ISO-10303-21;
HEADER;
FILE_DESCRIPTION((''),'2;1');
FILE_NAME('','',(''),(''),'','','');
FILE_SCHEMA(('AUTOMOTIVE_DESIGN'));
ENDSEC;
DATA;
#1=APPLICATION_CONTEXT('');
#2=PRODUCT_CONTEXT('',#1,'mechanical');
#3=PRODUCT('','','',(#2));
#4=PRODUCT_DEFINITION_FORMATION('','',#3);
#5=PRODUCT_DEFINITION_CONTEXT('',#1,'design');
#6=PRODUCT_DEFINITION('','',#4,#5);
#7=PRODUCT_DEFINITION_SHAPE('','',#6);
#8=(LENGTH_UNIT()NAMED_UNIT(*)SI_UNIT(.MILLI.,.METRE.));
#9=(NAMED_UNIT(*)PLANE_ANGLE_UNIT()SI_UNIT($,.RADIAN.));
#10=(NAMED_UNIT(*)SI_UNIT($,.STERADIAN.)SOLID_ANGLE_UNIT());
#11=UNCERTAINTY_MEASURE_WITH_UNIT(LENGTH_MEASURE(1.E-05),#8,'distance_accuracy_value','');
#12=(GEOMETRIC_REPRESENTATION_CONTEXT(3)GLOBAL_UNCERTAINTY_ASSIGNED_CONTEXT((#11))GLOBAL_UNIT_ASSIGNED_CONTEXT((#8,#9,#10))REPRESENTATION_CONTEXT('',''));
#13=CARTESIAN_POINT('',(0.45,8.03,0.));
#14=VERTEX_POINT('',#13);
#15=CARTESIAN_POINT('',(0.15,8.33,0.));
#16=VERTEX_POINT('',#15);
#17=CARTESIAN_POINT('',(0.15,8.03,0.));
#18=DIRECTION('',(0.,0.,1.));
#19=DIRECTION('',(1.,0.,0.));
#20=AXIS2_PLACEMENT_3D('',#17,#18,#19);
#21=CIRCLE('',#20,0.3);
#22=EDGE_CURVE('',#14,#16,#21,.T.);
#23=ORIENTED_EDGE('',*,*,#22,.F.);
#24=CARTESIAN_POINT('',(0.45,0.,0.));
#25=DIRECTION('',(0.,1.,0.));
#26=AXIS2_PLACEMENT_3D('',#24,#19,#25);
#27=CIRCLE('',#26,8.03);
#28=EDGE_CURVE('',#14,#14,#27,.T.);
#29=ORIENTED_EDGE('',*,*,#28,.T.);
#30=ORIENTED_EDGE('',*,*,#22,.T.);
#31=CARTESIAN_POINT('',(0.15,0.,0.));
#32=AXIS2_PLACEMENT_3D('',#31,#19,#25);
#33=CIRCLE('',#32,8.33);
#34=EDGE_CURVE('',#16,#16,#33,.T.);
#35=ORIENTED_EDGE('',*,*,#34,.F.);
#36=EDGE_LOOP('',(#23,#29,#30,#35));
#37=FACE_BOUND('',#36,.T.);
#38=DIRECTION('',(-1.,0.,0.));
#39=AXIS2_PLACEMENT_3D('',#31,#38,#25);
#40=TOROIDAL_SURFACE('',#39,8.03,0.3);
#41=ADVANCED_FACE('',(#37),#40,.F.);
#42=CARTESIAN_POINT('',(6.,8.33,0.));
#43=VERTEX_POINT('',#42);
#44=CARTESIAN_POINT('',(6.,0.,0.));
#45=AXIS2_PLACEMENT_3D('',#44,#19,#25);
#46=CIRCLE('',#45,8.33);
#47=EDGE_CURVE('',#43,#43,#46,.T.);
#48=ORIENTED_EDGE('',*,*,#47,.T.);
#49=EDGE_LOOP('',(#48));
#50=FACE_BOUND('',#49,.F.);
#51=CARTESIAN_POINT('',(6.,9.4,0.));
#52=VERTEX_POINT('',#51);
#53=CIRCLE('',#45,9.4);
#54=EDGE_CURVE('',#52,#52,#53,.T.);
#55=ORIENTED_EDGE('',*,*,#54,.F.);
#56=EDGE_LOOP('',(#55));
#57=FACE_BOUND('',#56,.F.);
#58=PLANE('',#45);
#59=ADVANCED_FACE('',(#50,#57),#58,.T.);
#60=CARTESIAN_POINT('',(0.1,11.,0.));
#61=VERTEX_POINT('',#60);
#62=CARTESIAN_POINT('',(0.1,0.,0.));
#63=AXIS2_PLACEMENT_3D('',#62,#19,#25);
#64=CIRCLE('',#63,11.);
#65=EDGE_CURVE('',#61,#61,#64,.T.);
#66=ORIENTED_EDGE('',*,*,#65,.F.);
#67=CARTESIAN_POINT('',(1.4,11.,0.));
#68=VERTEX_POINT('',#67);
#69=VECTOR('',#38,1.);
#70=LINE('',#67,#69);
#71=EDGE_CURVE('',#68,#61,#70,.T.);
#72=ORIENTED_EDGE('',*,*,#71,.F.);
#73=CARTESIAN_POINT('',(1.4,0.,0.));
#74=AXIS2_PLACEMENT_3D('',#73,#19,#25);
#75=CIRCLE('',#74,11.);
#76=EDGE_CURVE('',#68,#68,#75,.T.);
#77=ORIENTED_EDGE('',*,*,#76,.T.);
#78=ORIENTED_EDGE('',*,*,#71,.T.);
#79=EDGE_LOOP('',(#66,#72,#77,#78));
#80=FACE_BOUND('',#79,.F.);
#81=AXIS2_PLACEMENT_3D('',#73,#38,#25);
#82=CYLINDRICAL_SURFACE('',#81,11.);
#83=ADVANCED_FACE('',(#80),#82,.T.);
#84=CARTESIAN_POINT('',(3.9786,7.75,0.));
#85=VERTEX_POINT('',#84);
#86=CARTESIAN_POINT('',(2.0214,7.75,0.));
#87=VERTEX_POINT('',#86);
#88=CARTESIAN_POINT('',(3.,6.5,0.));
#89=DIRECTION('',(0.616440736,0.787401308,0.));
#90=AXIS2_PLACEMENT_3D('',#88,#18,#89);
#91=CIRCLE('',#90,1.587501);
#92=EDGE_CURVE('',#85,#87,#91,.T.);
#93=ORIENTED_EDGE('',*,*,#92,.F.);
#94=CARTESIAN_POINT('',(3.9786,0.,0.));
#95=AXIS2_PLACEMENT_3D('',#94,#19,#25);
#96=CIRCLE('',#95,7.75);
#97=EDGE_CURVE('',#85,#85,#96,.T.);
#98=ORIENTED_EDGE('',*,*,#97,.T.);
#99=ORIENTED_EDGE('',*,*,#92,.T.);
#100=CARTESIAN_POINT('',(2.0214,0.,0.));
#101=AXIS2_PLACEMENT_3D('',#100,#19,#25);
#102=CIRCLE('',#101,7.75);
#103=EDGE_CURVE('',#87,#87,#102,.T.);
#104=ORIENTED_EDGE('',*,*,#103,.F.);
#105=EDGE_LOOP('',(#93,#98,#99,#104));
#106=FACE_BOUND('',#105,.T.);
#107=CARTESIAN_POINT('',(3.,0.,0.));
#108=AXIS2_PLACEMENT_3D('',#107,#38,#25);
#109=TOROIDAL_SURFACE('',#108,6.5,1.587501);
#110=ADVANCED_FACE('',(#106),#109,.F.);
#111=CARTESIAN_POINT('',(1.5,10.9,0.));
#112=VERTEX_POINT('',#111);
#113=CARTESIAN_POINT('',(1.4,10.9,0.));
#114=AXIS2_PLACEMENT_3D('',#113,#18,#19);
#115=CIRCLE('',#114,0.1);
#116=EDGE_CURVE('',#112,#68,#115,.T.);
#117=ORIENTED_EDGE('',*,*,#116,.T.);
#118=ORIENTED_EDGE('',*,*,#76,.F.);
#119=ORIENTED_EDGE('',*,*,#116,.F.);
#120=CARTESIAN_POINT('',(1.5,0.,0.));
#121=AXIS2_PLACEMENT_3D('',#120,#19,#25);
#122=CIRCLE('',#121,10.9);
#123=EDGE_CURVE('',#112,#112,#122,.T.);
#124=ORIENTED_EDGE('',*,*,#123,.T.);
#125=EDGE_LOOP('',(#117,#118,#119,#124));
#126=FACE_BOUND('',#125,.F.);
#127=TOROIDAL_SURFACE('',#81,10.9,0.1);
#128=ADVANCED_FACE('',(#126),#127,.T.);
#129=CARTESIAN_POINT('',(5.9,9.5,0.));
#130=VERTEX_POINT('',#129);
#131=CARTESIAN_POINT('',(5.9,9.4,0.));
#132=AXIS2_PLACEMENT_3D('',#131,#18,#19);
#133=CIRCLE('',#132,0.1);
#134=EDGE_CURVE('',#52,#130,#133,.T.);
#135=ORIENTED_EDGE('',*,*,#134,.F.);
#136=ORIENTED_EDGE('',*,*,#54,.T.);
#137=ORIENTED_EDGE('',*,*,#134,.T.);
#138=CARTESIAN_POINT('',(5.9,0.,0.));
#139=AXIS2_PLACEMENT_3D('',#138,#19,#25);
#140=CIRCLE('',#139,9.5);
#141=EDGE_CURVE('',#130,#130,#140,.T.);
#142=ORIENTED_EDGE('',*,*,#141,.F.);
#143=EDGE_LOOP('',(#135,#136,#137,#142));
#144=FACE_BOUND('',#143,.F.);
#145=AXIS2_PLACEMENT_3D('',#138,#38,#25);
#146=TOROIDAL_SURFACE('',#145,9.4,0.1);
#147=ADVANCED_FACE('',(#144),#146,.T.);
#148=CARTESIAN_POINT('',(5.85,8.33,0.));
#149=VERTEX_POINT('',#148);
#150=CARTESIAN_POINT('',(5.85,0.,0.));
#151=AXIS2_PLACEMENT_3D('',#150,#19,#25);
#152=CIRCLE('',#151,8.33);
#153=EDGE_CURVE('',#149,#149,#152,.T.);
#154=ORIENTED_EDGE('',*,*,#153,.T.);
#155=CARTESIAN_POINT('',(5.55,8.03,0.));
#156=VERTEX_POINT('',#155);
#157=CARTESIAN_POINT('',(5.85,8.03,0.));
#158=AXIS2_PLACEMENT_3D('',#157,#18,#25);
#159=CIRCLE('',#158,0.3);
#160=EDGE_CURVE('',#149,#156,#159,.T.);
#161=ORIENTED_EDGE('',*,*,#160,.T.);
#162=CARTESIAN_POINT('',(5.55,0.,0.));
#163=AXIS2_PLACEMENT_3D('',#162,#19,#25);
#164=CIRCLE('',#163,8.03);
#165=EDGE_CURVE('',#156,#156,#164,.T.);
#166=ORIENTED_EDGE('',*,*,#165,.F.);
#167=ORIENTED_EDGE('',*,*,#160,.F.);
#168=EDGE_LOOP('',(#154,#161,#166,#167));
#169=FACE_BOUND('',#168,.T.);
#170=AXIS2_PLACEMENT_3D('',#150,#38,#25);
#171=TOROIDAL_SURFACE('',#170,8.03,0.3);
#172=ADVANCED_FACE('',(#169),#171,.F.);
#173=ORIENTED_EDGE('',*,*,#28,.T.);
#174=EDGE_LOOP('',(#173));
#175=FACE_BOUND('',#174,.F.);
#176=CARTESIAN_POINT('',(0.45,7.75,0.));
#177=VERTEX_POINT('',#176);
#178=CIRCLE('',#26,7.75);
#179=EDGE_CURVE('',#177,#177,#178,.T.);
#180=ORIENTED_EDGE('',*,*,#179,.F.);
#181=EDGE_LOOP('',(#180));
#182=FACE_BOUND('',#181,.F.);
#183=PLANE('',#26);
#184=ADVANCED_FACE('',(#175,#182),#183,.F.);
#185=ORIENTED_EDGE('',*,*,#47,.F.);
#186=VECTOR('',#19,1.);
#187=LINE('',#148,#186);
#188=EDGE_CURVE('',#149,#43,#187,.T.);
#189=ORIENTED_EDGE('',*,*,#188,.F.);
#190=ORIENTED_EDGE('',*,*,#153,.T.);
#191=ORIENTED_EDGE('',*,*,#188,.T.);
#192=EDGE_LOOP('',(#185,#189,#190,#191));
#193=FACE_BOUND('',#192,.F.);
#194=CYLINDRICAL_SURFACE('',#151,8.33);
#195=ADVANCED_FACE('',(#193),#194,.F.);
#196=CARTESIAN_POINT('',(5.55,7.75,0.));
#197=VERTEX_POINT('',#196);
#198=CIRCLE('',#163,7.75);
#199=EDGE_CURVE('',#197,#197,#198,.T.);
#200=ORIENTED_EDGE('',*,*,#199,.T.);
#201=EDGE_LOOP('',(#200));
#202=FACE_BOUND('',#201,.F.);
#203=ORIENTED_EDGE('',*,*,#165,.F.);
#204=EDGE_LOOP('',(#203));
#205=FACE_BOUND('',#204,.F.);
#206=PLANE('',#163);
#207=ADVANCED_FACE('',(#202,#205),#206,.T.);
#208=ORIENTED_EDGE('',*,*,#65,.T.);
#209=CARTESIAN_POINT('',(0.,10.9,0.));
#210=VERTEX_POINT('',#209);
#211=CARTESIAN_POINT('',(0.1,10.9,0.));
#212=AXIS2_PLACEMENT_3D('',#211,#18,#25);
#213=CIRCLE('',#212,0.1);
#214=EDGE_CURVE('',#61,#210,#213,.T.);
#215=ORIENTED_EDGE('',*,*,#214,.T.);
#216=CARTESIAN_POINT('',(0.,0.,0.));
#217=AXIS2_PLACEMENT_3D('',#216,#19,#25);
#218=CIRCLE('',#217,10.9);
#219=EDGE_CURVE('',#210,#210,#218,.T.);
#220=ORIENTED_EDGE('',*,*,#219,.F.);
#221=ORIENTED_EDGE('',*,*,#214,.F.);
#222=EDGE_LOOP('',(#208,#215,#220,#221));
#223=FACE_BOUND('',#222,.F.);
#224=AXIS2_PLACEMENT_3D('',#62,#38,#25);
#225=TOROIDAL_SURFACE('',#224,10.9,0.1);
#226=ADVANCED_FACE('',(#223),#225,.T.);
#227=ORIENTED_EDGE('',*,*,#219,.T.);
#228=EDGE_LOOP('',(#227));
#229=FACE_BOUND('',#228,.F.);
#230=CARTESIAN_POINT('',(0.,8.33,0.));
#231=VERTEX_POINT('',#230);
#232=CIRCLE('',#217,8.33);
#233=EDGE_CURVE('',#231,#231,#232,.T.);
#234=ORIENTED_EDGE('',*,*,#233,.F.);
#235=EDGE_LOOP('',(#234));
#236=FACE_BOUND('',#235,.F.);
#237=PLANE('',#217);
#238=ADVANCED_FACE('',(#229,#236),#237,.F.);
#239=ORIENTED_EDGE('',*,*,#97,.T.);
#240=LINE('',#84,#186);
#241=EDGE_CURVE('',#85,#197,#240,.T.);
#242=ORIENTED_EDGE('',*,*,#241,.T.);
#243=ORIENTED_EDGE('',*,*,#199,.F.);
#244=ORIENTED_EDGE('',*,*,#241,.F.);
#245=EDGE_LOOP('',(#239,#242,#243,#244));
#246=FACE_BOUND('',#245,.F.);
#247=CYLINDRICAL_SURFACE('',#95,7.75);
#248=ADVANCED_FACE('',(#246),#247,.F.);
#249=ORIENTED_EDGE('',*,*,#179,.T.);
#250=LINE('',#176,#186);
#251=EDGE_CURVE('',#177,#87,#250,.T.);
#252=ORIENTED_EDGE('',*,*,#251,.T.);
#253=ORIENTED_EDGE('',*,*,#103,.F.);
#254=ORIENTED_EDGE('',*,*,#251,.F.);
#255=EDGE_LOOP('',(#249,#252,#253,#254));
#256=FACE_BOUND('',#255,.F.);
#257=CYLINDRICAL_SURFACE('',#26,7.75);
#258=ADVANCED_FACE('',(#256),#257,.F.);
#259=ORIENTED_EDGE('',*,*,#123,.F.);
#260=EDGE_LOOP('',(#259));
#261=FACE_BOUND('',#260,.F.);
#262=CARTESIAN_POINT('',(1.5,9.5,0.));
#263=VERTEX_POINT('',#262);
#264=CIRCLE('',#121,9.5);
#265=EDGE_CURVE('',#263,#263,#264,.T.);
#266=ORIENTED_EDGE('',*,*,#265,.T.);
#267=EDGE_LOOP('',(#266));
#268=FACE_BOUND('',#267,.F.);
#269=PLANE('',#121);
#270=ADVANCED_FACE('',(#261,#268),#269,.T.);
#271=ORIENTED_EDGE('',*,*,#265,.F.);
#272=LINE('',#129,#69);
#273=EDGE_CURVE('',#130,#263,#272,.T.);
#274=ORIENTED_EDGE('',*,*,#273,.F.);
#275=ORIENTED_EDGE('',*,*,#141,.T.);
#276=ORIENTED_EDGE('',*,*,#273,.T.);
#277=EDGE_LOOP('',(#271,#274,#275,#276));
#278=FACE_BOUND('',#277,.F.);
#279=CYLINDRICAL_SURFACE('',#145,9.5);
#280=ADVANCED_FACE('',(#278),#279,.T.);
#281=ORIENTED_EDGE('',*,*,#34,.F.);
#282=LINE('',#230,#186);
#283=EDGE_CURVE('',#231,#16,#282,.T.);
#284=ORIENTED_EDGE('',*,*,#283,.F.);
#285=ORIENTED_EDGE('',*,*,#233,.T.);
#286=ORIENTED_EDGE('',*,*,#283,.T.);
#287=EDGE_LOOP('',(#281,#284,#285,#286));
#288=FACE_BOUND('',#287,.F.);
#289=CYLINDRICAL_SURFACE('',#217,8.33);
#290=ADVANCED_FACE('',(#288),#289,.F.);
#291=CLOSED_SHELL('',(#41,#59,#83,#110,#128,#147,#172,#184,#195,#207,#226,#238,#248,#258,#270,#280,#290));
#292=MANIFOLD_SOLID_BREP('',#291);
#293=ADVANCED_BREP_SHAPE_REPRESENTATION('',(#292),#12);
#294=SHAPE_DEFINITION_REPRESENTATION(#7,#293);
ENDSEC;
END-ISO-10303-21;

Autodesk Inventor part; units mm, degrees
ref_plane "YZ Plane" through (0, 0, 0) normal (1, 0, 0) x (0, 1, 0)
ref_plane "XZ Plane" through (0, 0, 0) normal (0, 1, 0) x (-1, 0, 0)
ref_plane "XY Plane" through (0, 0, 0) normal (0, 0, 1) x (1, 0, 0)
sketch "Sketch_21" plane through (0, 0, 0) normal (0, 0, 1) x (1, 0, 0)
  line L0 (50, 0) -> (-50, 0)
  line L1 (0, 10.9) -> (0, 8.33)
  line L2 (0, 8.33) -> (0.15, 8.33)
  arc A0 (0.45, 8.03) -> (0.15, 8.33) centre (0.15, 8.03) ccw
  line L3 (0.45, 8.03) -> (0.45, 7.75)
  line L4 (0.45, 7.75) -> (2.0214, 7.75)
  arc A1 (3.9786, 7.75) -> (2.0214, 7.75) centre (3, 6.5) ccw
  line L5 (3.9786, 7.75) -> (5.55, 7.75)
  line L6 (5.55, 7.75) -> (5.55, 8.03)
  arc A2 (5.85, 8.33) -> (5.55, 8.03) centre (5.85, 8.03) ccw
  line L7 (5.85, 8.33) -> (6, 8.33)
  line L8 (6, 8.33) -> (6, 9.4)
  arc A3 (6, 9.4) -> (5.9, 9.5) centre (5.9, 9.4) ccw
  line L9 (5.9, 9.5) -> (1.5, 9.5)
  line L10 (1.5, 9.5) -> (1.5, 10.9)
  arc A4 (1.5, 10.9) -> (1.4, 11) centre (1.4, 10.9) ccw
  line L11 (1.4, 11) -> (0.1, 11)
  arc A5 (0.1, 11) -> (0, 10.9) centre (0.1, 10.9) ccw
revolve "Revolution1" add sketch "Sketch_21" angle 360 about axis through (50, 0, 0) along (1, 0, 0)
properties part number "W 619/8 R-2Z_PART2"
